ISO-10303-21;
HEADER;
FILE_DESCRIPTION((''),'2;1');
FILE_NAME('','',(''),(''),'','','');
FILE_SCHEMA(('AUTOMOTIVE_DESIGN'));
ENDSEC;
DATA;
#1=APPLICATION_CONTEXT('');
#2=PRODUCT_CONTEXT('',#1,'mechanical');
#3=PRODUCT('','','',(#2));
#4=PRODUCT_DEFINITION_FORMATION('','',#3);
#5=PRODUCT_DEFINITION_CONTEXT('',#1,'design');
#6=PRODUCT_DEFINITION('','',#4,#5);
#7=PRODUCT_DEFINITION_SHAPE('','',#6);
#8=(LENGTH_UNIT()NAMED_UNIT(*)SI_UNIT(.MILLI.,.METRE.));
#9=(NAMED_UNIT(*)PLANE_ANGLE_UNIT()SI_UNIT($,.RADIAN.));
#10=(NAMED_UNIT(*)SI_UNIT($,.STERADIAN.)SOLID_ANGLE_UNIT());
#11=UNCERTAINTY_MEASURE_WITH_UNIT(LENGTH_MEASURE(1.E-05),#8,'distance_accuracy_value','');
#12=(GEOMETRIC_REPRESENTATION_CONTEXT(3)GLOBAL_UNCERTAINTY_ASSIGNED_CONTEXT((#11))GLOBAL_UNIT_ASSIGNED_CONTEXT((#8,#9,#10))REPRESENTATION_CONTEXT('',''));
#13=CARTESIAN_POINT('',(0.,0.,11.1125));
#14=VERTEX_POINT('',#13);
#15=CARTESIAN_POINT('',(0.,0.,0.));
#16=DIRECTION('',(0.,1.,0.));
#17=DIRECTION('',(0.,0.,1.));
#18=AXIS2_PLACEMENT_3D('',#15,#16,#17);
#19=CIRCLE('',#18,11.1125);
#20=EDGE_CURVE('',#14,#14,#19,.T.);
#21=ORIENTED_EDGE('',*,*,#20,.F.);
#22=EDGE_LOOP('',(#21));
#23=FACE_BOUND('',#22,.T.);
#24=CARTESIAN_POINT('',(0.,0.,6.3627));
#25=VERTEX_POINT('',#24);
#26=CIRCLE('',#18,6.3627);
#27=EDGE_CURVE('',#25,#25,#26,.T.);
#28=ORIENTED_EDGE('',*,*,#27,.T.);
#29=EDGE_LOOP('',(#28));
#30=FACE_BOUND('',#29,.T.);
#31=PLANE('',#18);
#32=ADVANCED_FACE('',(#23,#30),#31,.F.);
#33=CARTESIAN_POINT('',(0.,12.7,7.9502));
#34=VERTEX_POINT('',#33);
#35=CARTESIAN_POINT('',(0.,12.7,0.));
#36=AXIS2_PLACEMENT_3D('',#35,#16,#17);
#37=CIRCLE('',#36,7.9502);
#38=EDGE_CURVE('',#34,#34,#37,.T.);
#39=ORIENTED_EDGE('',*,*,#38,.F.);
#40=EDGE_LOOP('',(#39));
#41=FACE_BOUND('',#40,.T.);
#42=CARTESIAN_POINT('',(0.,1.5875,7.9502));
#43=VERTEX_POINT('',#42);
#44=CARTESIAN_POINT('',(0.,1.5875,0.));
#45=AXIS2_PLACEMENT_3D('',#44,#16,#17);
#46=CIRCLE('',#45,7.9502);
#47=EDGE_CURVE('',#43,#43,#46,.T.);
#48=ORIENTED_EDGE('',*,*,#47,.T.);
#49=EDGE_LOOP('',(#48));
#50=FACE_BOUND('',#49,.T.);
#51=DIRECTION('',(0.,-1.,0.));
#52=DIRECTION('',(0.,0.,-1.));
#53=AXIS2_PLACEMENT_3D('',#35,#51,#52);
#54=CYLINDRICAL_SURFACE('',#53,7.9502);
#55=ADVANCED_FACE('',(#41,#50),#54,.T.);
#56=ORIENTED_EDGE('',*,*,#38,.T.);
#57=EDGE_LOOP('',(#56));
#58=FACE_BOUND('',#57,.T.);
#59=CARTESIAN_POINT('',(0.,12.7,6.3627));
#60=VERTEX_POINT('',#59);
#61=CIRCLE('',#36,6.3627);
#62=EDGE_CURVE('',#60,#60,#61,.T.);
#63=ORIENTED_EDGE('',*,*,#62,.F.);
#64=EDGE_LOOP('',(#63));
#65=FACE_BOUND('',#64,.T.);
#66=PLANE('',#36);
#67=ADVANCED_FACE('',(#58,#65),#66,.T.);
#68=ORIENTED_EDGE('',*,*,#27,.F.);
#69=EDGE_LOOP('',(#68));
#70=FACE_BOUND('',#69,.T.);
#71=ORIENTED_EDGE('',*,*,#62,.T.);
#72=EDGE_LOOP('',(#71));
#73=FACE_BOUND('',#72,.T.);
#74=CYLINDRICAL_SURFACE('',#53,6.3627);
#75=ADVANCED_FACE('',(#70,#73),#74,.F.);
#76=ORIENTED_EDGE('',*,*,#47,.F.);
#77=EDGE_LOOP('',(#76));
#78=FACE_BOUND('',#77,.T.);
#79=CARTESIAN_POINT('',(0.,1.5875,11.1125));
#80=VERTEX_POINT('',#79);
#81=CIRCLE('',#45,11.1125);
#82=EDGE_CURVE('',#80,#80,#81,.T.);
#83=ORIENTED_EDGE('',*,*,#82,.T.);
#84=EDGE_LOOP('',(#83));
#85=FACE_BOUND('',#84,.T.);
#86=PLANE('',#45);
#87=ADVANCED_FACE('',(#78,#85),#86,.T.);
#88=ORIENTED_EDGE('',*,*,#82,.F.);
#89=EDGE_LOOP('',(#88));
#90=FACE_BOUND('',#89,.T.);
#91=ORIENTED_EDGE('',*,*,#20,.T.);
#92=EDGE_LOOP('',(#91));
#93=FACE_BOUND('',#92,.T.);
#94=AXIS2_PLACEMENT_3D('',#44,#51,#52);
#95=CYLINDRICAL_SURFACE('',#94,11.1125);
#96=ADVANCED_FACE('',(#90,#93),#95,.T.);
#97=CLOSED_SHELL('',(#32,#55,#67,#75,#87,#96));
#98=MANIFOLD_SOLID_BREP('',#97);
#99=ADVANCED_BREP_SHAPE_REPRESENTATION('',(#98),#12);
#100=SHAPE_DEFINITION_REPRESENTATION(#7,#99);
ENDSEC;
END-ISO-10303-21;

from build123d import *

# Parameters (mm, degrees)
SKETCH2_R           = 7.9502
SKETCH2_R_2         = 6.3627
BOSS_EXTRUDE1_DEPTH = 12.7
SKETCH3_R           = 11.1125
SKETCH3_R_2         = 7.9502
BOSS_EXTRUDE2_DEPTH = 1.5875


with BuildPart() as part:
    # Sketch2 → Boss-Extrude1 (new body)
    with BuildSketch(Plane(origin=(0, 0, 0), x_dir=(1, 0, 0), z_dir=(0, 1, 0))):
        Circle(SKETCH2_R)
        Circle(SKETCH2_R_2, mode=Mode.SUBTRACT)
    extrude(amount=BOSS_EXTRUDE1_DEPTH)

    # Sketch3 → Boss-Extrude2 (add)
    with BuildSketch(Plane(origin=(0, 0, 0), x_dir=(1, 0, 0), z_dir=(0, 1, 0))):
        Circle(SKETCH3_R)
        Circle(SKETCH3_R_2, mode=Mode.SUBTRACT)
    extrude(amount=BOSS_EXTRUDE2_DEPTH)


solid = part.part
